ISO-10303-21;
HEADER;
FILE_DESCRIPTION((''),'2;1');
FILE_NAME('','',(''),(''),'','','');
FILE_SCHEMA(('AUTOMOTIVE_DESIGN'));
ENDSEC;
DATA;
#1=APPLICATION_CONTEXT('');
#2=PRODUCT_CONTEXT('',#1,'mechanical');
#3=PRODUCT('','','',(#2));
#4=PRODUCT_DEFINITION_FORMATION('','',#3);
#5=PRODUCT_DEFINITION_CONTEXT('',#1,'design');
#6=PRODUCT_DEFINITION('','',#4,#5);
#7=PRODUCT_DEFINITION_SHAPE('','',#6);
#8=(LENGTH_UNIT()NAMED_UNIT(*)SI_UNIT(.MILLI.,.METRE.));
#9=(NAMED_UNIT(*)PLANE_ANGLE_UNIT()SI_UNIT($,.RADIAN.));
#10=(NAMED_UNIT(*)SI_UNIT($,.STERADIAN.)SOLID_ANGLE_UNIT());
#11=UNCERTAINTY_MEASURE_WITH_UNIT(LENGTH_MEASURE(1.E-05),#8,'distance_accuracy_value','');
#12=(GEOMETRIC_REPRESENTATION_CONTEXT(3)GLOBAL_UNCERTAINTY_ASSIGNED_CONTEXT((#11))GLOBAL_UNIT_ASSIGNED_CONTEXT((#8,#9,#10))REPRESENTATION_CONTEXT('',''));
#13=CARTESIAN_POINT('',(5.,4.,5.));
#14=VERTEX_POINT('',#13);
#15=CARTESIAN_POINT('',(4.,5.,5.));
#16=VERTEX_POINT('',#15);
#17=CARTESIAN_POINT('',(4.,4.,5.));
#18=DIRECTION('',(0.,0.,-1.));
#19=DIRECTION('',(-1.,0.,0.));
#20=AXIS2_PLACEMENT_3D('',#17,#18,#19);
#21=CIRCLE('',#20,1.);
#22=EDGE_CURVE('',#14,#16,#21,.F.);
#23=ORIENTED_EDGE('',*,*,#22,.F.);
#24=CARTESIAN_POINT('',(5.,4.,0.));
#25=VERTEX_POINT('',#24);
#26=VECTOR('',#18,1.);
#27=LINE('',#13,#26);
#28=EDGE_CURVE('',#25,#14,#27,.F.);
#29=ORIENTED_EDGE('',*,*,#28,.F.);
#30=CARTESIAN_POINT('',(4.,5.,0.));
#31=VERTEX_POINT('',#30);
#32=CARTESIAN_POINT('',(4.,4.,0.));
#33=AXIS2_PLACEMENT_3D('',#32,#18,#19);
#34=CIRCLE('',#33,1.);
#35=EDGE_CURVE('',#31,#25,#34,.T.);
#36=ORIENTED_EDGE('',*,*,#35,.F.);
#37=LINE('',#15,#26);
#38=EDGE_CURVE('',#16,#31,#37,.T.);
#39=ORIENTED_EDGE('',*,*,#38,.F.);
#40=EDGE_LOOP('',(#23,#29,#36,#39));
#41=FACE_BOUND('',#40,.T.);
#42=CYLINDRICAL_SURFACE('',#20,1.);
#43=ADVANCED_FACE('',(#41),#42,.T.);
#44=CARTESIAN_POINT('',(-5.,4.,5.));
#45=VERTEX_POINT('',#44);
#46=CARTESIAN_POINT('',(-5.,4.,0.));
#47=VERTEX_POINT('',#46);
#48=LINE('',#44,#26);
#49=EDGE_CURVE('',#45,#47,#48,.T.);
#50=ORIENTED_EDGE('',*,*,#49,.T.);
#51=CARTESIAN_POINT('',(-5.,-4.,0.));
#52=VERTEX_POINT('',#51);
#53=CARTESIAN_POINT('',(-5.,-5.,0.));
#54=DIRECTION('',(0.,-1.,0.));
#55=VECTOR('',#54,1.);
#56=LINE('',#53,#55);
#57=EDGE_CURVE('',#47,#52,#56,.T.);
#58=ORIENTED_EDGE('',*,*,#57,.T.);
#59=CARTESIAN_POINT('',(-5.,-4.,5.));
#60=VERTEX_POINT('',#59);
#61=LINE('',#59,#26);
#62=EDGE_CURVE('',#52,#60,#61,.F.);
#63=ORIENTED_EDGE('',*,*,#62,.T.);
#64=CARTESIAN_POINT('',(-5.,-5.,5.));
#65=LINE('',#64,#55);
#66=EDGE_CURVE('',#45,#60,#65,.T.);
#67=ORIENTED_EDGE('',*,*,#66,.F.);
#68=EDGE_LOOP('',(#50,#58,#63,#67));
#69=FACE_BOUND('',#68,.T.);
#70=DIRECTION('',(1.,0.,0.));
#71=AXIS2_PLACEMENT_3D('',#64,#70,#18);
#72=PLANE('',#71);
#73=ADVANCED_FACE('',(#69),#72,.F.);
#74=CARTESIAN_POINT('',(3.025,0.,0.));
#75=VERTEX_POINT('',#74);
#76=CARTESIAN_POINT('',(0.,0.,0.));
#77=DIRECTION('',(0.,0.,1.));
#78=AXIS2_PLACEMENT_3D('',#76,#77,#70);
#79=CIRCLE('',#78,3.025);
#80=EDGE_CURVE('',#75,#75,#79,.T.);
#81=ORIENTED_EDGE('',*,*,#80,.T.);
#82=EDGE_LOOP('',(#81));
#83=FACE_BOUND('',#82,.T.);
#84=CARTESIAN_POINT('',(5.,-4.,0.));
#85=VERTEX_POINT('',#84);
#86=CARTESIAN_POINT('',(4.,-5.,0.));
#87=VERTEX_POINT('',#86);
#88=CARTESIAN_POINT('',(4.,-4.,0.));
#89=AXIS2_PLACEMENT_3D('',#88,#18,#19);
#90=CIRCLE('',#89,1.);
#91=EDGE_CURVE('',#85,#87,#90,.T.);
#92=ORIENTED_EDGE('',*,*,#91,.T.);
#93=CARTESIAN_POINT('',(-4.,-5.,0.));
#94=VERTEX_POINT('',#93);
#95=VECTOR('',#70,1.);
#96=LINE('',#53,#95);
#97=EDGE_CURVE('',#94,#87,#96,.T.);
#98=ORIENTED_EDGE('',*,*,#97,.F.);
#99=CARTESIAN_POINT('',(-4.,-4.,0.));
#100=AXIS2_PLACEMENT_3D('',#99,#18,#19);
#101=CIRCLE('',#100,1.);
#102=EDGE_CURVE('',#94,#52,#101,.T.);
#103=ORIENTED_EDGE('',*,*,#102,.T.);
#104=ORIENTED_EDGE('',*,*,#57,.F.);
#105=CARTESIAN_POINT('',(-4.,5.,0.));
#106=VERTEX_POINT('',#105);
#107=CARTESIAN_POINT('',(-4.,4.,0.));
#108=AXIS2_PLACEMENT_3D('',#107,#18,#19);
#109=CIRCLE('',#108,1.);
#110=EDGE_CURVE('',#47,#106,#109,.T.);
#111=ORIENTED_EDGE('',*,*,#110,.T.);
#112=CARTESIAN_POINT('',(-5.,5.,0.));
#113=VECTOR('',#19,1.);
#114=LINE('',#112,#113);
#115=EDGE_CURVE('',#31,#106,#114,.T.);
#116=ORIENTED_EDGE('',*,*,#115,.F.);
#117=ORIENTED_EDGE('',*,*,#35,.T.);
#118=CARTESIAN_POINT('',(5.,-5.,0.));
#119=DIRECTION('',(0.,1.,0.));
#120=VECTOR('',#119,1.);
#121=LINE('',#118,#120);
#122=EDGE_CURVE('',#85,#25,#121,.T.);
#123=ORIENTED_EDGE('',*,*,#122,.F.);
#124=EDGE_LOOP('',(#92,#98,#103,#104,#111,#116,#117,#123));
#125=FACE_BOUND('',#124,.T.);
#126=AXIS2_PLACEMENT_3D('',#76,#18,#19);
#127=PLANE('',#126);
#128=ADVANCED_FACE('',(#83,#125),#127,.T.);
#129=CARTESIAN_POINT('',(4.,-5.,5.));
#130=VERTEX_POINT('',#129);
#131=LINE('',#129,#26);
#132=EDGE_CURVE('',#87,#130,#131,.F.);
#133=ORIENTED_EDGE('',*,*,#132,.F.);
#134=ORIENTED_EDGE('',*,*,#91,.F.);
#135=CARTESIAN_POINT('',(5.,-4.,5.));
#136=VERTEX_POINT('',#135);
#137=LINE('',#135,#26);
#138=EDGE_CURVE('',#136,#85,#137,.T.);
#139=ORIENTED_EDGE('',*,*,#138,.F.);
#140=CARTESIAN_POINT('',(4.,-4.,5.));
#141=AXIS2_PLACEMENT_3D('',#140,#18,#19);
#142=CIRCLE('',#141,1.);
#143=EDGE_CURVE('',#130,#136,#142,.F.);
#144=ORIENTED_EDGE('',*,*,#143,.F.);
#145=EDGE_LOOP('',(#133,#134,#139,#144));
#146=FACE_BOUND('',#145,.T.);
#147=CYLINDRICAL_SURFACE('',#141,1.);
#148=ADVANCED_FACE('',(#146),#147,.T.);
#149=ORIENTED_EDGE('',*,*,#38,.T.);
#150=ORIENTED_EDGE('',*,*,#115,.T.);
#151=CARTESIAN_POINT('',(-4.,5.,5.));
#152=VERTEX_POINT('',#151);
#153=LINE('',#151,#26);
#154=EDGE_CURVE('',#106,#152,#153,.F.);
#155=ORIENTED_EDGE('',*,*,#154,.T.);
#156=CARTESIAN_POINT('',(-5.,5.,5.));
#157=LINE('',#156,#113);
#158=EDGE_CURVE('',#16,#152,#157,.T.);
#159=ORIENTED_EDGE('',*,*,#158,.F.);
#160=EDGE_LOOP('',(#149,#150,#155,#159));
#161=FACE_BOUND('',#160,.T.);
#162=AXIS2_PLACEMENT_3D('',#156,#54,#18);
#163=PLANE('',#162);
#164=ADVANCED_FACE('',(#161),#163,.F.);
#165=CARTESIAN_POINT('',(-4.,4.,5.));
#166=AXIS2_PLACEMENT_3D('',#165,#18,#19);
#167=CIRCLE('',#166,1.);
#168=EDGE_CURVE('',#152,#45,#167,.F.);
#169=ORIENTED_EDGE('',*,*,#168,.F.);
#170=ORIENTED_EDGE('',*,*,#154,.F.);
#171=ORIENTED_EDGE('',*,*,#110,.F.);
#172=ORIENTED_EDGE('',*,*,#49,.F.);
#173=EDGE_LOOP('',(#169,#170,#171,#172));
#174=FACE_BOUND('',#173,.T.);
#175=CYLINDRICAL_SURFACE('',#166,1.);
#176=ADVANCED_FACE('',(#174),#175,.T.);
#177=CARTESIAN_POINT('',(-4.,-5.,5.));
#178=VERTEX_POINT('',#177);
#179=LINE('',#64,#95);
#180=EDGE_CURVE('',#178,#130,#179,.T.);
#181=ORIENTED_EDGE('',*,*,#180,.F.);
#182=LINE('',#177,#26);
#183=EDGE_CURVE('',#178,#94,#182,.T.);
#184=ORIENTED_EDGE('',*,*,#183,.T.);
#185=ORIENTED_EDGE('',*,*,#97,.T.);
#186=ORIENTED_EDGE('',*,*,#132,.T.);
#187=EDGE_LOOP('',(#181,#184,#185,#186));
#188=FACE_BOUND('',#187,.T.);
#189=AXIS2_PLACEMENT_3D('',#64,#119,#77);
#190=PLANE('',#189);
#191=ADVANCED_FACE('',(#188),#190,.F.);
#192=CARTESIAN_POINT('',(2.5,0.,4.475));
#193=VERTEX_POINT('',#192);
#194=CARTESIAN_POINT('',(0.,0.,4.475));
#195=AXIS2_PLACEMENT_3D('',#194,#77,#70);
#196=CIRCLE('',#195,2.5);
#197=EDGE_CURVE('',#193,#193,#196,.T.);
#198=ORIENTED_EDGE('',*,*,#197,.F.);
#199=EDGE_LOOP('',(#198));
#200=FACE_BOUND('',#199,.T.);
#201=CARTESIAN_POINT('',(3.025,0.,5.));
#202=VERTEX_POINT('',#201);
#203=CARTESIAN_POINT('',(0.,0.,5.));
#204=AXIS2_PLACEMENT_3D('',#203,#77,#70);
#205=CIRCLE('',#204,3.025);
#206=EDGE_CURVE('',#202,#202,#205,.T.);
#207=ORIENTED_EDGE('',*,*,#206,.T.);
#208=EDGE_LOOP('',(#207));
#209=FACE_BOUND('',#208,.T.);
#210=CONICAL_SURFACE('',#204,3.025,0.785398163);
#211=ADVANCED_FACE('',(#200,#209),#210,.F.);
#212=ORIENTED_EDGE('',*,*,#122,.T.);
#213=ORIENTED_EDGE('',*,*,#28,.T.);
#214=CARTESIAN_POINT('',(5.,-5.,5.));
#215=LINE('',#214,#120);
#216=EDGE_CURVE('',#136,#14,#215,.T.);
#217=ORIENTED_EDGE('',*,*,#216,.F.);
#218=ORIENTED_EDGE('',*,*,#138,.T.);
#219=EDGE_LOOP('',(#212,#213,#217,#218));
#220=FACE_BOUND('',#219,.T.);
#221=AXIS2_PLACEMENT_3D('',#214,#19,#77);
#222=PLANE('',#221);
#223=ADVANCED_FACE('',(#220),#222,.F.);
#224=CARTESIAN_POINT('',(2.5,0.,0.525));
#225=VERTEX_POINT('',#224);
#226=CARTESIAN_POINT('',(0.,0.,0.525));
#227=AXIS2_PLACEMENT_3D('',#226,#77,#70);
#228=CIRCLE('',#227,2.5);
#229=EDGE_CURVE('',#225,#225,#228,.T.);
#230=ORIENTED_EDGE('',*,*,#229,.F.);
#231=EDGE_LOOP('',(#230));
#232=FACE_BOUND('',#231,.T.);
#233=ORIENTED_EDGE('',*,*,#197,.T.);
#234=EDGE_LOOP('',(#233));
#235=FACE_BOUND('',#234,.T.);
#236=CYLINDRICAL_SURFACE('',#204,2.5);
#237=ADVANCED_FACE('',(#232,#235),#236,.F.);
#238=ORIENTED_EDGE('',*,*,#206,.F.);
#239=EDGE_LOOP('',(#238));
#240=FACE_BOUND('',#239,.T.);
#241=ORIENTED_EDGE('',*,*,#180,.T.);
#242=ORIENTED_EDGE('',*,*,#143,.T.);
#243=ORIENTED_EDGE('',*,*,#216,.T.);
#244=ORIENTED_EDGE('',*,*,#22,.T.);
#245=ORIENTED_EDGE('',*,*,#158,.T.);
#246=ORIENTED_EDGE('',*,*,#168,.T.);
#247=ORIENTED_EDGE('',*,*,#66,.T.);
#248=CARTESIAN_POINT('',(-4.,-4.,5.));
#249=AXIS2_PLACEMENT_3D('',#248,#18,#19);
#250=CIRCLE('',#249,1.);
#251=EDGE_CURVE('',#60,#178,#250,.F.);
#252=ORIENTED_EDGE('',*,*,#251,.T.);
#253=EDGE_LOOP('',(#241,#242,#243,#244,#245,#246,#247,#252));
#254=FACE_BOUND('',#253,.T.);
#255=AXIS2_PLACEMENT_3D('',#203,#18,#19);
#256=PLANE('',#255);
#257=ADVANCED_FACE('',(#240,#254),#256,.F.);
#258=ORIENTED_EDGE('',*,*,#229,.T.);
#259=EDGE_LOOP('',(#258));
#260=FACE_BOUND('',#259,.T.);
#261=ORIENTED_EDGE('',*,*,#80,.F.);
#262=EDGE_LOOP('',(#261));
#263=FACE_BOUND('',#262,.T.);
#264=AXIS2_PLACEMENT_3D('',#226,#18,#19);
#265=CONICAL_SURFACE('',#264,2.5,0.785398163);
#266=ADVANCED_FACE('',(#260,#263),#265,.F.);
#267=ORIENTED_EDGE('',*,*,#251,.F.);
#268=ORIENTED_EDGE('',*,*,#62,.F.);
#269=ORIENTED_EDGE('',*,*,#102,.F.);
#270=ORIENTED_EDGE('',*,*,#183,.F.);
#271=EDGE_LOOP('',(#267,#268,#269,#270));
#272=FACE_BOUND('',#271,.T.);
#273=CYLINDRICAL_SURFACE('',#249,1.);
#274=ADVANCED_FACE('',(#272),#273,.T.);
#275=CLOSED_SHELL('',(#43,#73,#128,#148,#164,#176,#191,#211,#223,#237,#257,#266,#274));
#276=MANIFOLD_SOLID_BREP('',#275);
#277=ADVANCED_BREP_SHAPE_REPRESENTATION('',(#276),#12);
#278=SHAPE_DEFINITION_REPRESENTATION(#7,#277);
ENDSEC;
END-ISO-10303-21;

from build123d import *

# Parameters (mm, degrees)
SKETCH_1_W      = 10
SKETCH_1_H      = 10
EXTRUDE_1_DEPTH = 5
FILLET_1_R      = 1


with BuildPart() as part:
    # Эскиз1 → Бобышка-Вытянуть1 (new body)
    with BuildSketch(Plane.XY):
        Rectangle(SKETCH_1_W, SKETCH_1_H)
    extrude(amount=EXTRUDE_1_DEPTH)

    # Эскиз3 → Отверстие обработанное метчиком M61 (revolve, cut)
    with BuildSketch(Plane(origin=(0, 0, 5), x_dir=(0, -1, 0), z_dir=(1, 0, 0))):
        Polygon((0, 0), (0, 5), (3.025, 5), (2.5, 4.475), (2.5, 0.525), (3.025, 0), align=None)
    revolve(axis=Axis((0, 0, 11.35), (0, 0, -1)), mode=Mode.SUBTRACT)

    # Скругление1
    fillet_1_edges = [part.edges().sort_by_distance(p)[0] for p in [
        (5, -5, 2.5),
        (-5, -5, 2.5),
        (-5, 5, 2.5),
        (5, 5, 2.5),
    ]]
    fillet(fillet_1_edges, radius=FILLET_1_R)


solid = part.part
